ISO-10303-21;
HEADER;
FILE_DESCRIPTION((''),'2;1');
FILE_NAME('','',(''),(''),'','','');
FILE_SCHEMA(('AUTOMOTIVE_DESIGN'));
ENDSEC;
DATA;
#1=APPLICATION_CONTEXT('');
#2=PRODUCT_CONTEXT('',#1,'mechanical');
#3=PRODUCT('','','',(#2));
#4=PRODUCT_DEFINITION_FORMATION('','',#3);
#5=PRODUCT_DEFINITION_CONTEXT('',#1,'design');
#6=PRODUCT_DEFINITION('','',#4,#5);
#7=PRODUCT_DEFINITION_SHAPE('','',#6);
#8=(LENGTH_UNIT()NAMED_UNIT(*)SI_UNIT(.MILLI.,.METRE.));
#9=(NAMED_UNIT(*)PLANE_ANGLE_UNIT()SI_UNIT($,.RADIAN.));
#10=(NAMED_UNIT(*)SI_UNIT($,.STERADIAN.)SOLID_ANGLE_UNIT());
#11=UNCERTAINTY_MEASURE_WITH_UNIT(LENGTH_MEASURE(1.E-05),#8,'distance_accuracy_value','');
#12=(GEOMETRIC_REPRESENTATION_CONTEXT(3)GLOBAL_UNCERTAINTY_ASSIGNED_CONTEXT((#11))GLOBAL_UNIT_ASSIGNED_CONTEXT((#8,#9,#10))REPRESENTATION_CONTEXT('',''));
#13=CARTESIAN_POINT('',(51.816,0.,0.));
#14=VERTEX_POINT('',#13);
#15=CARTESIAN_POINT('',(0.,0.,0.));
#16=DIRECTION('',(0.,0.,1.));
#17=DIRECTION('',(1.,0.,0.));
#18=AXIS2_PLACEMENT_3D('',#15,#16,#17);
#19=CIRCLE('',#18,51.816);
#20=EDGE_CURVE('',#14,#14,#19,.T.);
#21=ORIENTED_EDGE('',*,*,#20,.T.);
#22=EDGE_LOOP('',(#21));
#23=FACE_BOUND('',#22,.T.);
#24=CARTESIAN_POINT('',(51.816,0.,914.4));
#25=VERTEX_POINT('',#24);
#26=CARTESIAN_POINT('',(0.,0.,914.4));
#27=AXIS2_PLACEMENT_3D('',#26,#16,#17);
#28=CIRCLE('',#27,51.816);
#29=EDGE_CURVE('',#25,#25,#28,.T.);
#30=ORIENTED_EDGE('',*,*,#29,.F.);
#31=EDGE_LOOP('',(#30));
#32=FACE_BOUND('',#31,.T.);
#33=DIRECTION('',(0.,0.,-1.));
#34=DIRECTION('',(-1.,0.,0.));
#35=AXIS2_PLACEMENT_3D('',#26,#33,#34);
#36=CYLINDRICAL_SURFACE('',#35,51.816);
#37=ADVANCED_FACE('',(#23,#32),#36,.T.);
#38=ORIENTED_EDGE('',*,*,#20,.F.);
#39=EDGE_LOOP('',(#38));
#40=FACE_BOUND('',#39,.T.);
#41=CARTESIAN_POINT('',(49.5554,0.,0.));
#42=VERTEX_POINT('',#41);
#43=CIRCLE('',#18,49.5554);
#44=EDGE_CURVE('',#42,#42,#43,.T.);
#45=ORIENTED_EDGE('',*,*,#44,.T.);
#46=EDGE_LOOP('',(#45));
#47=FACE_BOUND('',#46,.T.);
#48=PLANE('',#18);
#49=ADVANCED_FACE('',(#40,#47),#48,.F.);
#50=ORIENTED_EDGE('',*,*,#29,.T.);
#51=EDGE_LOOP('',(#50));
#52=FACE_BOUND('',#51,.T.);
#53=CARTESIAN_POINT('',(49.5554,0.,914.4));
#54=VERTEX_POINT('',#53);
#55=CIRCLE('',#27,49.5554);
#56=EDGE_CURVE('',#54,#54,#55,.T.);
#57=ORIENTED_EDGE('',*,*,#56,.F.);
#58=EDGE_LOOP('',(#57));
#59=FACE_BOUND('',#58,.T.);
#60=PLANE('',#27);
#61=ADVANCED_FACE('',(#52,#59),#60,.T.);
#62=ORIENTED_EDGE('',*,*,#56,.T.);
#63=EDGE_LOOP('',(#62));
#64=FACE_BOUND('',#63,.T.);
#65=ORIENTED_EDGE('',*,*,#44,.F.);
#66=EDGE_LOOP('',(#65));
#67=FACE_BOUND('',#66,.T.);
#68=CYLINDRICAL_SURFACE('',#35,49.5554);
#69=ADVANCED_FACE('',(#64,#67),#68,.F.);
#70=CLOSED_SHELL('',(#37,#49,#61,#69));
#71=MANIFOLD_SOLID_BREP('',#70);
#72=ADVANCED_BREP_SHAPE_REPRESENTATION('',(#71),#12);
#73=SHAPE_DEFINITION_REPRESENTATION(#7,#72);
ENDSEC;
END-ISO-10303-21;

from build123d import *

# Parameters (mm, degrees)
SKETCH1_R           = 51.816
SKETCH1_R_2         = 49.5554
BOSS_EXTRUDE1_DEPTH = 914.4


with BuildPart() as part:
    # Sketch1 → Boss-Extrude1 (new body)
    with BuildSketch(Plane.XY):
        Circle(SKETCH1_R)
        Circle(SKETCH1_R_2, mode=Mode.SUBTRACT)
    extrude(amount=BOSS_EXTRUDE1_DEPTH)


solid = part.part
